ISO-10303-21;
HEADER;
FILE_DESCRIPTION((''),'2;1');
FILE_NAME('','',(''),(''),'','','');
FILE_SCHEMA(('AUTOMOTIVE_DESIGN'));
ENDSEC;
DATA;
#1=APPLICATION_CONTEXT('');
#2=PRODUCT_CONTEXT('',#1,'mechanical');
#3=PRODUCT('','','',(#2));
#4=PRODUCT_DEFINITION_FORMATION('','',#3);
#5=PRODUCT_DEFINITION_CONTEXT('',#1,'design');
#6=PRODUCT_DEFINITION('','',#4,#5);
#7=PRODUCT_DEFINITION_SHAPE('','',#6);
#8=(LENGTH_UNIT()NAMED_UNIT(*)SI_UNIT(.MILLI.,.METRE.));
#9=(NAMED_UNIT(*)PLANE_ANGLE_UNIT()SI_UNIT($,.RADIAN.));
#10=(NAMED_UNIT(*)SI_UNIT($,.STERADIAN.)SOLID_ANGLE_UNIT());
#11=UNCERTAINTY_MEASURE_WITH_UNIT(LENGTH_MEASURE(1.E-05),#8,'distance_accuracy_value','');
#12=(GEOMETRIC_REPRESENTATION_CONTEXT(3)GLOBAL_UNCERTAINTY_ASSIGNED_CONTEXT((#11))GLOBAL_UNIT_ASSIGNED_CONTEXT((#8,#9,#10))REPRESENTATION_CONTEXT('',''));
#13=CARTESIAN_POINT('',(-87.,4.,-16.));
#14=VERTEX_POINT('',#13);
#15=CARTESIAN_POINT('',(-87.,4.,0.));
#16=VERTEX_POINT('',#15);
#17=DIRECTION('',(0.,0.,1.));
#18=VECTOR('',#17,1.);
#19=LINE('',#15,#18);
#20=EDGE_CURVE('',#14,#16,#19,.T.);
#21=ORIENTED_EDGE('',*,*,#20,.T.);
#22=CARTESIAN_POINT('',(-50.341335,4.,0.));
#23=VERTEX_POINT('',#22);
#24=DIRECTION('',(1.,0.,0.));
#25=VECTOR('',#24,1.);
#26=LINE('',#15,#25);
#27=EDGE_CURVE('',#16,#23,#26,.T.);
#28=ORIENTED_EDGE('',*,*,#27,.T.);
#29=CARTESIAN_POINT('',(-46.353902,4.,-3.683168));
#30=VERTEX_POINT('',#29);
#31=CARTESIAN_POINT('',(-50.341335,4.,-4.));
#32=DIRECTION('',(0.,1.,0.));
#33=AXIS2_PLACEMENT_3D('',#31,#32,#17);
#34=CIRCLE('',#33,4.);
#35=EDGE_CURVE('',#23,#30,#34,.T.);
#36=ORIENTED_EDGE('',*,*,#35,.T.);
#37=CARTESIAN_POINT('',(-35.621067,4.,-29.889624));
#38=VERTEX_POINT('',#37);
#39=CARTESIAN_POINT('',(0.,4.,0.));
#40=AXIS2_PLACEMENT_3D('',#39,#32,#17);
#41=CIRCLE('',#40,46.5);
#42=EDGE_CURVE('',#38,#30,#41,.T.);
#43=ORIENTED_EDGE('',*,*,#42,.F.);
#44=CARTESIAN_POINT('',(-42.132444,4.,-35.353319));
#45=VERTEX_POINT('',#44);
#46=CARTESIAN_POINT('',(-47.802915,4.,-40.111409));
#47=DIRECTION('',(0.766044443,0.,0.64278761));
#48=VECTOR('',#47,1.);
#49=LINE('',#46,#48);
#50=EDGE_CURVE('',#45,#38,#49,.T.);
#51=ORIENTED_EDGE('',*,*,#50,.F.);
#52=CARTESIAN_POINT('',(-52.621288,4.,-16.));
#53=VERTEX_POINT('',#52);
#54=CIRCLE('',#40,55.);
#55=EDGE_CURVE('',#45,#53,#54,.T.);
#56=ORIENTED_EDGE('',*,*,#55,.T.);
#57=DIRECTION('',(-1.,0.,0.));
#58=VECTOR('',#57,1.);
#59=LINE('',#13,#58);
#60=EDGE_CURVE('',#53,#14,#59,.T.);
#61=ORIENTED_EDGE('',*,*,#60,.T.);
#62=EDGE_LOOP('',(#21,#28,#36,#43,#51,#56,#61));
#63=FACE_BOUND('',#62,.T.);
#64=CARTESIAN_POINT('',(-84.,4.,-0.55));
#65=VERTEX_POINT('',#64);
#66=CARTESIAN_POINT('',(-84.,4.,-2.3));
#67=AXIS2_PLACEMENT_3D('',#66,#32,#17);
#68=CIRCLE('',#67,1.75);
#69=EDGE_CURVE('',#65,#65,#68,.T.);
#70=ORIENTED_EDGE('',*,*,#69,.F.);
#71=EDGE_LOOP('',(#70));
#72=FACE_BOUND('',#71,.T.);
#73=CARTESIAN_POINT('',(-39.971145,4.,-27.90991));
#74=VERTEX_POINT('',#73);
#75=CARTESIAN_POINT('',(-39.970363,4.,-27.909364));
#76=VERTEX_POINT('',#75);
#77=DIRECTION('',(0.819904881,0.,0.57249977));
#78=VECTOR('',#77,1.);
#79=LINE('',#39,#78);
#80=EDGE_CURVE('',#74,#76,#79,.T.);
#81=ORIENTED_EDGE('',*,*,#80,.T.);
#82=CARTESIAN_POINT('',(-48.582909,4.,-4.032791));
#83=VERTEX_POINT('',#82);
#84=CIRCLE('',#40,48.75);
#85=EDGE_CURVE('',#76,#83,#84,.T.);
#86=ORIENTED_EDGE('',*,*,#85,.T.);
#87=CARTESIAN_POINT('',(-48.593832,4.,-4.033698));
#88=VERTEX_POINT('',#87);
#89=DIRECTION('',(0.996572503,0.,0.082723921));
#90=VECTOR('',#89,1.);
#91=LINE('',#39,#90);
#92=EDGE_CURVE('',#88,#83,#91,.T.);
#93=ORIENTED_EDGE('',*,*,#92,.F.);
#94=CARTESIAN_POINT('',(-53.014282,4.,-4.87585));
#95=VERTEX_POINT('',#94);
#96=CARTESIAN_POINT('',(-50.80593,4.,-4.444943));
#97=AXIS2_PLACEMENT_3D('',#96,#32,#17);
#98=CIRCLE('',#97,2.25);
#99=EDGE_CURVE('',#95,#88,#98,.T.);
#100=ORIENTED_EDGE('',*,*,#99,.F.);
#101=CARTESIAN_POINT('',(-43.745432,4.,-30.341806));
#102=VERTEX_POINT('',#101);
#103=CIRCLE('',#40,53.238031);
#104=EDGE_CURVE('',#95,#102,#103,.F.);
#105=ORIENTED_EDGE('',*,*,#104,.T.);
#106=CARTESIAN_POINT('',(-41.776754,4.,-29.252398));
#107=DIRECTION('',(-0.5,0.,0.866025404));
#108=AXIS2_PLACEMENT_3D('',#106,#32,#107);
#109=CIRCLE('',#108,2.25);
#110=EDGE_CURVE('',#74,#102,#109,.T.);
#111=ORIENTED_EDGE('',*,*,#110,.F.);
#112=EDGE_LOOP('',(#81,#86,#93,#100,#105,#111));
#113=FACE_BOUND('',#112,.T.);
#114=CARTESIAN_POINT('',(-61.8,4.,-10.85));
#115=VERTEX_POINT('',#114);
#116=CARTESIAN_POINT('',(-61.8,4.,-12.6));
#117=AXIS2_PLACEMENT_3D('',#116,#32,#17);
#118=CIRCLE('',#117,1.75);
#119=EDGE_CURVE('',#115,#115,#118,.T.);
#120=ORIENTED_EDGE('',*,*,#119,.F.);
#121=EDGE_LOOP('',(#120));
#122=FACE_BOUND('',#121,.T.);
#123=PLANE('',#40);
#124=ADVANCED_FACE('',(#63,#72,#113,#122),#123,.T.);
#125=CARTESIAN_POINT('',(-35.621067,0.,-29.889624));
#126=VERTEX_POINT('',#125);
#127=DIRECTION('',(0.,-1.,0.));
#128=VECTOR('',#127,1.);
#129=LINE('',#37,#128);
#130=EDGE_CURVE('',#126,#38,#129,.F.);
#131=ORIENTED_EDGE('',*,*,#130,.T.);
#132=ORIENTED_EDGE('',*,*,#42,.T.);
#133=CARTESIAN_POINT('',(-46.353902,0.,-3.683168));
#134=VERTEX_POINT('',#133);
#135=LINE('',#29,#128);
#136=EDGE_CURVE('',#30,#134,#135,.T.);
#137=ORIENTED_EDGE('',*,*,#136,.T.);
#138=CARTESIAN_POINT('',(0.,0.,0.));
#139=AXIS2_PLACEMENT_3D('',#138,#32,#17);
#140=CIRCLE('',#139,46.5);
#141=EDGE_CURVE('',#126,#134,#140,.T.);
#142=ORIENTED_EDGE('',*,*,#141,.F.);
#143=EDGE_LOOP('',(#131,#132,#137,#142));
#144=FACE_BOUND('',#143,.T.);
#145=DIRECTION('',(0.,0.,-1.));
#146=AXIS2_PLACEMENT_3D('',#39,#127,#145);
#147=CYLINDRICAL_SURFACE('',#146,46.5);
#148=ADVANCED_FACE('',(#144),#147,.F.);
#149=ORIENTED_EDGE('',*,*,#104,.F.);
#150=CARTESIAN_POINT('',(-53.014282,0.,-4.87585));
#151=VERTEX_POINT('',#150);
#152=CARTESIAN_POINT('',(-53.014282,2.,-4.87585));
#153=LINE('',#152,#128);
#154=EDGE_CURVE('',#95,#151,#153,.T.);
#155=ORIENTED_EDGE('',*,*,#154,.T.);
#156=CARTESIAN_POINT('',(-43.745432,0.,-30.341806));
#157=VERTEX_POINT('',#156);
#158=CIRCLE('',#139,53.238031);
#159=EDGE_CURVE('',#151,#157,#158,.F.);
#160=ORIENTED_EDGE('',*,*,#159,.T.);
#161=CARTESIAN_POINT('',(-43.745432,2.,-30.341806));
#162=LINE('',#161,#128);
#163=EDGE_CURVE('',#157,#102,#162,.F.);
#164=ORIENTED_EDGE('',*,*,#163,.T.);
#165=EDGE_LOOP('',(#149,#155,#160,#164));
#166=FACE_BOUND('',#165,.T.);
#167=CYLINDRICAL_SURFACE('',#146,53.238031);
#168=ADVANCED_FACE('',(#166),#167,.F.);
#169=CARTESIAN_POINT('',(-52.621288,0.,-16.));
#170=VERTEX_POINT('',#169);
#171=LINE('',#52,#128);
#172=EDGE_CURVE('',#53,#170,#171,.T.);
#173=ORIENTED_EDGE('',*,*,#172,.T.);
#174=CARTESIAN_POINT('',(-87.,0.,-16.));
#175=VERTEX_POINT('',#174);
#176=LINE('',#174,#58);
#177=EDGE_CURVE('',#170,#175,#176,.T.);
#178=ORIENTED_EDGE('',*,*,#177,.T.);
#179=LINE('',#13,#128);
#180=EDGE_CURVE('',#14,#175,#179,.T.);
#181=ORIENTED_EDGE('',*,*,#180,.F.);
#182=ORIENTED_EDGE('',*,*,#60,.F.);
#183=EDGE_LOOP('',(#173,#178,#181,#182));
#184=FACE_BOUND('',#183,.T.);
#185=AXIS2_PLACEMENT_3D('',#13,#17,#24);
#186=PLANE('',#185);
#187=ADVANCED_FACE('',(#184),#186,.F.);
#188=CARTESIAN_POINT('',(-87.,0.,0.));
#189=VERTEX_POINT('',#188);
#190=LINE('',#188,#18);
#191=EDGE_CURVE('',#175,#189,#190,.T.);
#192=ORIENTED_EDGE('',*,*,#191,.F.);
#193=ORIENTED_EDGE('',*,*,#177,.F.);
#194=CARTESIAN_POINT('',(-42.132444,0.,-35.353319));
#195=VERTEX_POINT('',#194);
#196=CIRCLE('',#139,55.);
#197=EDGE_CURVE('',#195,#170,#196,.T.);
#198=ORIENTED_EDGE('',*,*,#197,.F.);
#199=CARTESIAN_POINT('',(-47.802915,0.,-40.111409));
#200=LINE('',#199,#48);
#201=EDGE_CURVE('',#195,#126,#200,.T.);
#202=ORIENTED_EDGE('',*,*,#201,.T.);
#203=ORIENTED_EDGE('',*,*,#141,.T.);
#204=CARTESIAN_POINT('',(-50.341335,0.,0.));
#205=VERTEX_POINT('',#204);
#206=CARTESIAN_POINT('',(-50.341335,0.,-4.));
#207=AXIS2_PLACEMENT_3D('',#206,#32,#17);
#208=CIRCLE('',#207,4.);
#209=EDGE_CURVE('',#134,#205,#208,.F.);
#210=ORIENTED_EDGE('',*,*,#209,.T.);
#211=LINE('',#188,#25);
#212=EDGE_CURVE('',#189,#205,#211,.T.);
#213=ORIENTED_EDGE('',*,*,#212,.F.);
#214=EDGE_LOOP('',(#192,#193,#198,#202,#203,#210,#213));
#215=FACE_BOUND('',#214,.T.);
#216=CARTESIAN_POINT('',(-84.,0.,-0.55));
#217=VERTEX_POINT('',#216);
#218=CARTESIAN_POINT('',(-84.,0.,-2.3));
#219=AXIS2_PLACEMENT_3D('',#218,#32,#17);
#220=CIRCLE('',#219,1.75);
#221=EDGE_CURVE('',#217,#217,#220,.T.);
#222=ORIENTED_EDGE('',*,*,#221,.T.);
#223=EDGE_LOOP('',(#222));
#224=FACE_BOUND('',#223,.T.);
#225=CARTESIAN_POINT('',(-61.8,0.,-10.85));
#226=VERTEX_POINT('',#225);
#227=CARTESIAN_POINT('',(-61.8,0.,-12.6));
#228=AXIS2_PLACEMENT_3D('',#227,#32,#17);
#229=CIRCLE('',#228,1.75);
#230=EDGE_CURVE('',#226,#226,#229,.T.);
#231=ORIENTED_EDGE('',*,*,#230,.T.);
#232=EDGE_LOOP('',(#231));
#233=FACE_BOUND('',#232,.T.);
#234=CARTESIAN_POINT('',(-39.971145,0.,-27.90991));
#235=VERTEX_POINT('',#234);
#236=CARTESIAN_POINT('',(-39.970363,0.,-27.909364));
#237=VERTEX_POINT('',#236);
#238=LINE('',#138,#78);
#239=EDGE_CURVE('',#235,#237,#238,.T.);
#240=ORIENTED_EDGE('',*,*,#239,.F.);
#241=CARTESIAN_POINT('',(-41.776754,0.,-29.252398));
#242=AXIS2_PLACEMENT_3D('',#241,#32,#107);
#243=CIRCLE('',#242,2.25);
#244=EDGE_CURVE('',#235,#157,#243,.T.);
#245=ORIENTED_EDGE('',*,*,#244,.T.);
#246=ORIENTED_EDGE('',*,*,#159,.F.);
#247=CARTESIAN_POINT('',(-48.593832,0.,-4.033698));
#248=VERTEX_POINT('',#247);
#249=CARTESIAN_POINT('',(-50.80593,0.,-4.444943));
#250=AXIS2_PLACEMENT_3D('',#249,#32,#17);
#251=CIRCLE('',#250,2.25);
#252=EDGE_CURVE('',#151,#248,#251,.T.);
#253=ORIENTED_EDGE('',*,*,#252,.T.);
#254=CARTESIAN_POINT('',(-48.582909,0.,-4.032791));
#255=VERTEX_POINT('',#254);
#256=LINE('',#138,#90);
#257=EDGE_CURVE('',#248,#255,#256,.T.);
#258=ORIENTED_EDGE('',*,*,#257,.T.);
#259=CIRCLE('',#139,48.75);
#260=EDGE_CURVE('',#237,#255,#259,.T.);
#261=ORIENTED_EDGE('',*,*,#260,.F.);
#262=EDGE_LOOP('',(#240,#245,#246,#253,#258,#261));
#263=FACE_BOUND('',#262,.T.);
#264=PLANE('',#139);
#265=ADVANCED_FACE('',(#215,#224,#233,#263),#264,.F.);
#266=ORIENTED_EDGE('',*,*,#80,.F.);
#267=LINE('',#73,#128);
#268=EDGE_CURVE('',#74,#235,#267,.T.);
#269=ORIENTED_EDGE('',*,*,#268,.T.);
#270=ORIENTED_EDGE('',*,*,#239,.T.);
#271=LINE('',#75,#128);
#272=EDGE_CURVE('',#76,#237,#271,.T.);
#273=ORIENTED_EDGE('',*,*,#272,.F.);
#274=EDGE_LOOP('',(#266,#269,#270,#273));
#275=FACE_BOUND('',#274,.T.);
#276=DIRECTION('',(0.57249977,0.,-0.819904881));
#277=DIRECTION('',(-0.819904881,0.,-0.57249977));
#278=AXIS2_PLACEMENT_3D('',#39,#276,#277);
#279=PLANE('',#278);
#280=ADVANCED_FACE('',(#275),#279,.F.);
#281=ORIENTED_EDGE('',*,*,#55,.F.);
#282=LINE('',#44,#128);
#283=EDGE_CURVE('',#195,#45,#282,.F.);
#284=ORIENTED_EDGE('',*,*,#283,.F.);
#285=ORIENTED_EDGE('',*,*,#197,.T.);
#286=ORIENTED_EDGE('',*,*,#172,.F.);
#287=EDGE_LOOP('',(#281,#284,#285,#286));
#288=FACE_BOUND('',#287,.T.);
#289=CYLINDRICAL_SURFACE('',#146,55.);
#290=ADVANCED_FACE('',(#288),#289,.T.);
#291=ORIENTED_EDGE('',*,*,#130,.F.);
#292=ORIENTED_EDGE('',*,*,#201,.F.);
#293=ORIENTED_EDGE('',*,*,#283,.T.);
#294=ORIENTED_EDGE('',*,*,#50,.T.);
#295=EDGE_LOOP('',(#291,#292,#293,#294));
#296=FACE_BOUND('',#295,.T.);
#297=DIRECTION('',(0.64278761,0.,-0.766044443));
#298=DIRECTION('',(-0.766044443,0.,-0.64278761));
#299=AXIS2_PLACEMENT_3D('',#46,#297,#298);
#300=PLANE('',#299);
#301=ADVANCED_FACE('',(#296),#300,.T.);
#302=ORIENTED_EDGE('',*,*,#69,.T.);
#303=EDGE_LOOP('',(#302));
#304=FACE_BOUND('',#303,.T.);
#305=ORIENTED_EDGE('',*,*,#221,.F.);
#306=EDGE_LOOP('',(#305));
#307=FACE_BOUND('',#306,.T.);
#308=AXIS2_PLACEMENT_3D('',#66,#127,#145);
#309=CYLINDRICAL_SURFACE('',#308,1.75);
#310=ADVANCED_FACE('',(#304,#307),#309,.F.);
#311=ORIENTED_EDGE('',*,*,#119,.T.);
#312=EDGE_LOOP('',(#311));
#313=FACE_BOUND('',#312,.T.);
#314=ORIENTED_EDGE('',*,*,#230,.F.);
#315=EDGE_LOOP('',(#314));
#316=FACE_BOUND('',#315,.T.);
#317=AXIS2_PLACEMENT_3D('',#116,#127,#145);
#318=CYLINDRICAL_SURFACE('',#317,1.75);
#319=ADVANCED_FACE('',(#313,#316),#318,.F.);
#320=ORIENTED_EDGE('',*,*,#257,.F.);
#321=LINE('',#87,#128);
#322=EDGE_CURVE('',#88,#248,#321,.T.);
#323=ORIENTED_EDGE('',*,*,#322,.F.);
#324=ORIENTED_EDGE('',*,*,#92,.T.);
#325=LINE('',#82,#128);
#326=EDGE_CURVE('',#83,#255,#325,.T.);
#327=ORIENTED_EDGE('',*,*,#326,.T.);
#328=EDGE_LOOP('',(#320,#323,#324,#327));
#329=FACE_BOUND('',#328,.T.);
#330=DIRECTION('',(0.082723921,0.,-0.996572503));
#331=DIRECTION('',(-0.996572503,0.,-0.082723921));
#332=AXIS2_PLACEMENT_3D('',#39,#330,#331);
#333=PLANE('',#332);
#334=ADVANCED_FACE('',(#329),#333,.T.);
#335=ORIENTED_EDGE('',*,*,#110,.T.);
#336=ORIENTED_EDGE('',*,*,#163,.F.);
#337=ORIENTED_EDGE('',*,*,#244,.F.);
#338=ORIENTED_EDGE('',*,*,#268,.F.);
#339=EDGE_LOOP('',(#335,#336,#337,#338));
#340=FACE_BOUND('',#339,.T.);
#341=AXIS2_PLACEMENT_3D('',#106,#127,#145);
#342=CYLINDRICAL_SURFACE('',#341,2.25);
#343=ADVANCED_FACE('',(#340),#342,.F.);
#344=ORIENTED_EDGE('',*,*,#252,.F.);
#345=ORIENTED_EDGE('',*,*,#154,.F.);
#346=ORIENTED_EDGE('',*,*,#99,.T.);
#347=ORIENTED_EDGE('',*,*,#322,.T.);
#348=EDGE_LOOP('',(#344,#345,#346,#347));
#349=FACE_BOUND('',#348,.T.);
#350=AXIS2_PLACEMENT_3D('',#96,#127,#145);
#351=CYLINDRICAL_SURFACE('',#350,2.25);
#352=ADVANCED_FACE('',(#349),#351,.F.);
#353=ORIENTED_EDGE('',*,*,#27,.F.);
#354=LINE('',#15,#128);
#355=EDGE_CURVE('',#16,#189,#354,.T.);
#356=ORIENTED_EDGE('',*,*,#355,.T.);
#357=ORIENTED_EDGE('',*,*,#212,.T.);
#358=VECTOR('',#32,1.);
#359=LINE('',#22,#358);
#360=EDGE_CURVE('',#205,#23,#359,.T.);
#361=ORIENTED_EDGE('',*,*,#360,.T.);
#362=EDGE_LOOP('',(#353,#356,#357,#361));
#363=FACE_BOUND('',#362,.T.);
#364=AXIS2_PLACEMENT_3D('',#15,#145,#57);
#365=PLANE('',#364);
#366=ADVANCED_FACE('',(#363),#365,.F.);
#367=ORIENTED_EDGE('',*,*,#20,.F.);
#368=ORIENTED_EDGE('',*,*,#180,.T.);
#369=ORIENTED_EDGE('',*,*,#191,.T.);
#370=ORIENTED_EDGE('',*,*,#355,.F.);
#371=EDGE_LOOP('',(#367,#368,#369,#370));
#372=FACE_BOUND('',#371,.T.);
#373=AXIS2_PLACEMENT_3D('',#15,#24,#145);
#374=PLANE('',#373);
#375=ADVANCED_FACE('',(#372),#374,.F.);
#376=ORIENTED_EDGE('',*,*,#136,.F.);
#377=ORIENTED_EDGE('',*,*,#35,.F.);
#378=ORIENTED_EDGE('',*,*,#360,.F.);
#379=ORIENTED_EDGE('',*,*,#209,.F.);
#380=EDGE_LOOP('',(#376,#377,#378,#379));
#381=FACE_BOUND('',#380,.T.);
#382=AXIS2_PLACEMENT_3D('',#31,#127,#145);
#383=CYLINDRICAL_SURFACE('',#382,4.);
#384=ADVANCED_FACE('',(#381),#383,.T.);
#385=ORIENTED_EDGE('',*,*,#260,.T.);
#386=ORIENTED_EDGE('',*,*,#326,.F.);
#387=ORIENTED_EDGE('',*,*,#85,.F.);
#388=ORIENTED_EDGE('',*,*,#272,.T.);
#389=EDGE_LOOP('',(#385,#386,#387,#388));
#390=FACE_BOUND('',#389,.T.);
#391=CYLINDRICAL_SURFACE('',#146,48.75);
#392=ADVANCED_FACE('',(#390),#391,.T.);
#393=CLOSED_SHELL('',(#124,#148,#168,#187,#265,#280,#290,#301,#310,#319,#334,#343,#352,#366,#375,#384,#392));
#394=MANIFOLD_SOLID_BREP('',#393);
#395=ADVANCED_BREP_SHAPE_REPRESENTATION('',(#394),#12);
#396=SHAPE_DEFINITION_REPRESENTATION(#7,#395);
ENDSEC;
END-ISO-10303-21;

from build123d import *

# Parameters (mm, degrees)
SKETCH1_R           = 55
BOSS_EXTRUDE1_DEPTH = 4
SKETCH6_W           = 87
SKETCH6_H           = 16
BOSS_EXTRUDE2_DEPTH = 4
SKETCH2_R           = 46.5
CUT_EXTRUDE1_DEPTH  = 5
SKETCH3_R           = 2.25
CUT_EXTRUDE2_DEPTH  = 5
CIRPATTERN1_COUNT   = 12
CUT_EXTRUDE3_DEPTH  = 5
SKETCH7_R           = 1.75
CUT_EXTRUDE4_DEPTH  = 5
FILLET1_R           = 4
CUT_EXTRUDE5_DEPTH  = 5


with BuildPart() as part:
    # Sketch1 → Boss-Extrude1 (new body)
    with BuildSketch(Plane(origin=(0, 0, 0), x_dir=(1, 0, 0), z_dir=(0, 1, 0))):
        Circle(SKETCH1_R)
    extrude(amount=BOSS_EXTRUDE1_DEPTH)

    # Sketch6 → Boss-Extrude2 (add)
    with BuildSketch(Plane(origin=(0, 0, 0), x_dir=(1, 0, 0), z_dir=(0, 1, 0))):
        with Locations((-43.5, 8)):
            Rectangle(SKETCH6_W, SKETCH6_H)
    extrude(amount=BOSS_EXTRUDE2_DEPTH)

    # Sketch2 → Cut-Extrude1 (cut, through all)
    with BuildSketch(Plane(origin=(0, 0, 0), x_dir=(1, 0, 0), z_dir=(0, 1, 0))):
        Circle(SKETCH2_R)
    extrude(amount=CUT_EXTRUDE1_DEPTH, mode=Mode.SUBTRACT)

    # Sketch3 → Cut-Extrude2 (cut, through all)
    with BuildSketch(Plane(origin=(0, 0, 0), x_dir=(1, 0, 0), z_dir=(0, 1, 0))):
        with Locations((-50.805929603, 4.44494288)):
            Circle(SKETCH3_R)
    cut_extrude2 = extrude(amount=CUT_EXTRUDE2_DEPTH, mode=Mode.SUBTRACT)

    # CirPattern1: Cut-Extrude2 ×12 about axis
    cirpattern1_axis = Axis((0, 0, 0), (0, 1, 0))
    for i in range(1, CIRPATTERN1_COUNT):
        add(cut_extrude2.rotate(cirpattern1_axis, i * 360 / CIRPATTERN1_COUNT), mode=Mode.SUBTRACT)

    # Sketch4 → Cut-Extrude3 (cut, through all)
    with BuildSketch(Plane(origin=(0, 0, 0), x_dir=(1, 0, 0), z_dir=(0, 1, 0))):
        with BuildLine():
            Line((0, 0), (-62.402274146, 0))
            ThreePointArc((-62.402274146, 0), (58.638956535, -21.342834747), (-47.802915347, 40.111408637))
            Line((-47.802915347, 40.111408637), (0, 0))
        make_face()
    extrude(amount=CUT_EXTRUDE3_DEPTH, mode=Mode.SUBTRACT)

    # Sketch7 → Cut-Extrude4 (cut, through all)
    with BuildSketch(Plane(origin=(0, 0, 0), x_dir=(1, 0, 0), z_dir=(0, 1, 0))):
        with Locations((-61.8, 12.6)):
            Circle(SKETCH7_R)
        with Locations((-84, 2.3)):
            Circle(SKETCH7_R)
    extrude(amount=CUT_EXTRUDE4_DEPTH, mode=Mode.SUBTRACT)

    # Fillet1
    fillet1_edges = [part.edges().sort_by_distance(p)[0] for p in [
        (-46.5, 2, 0),
    ]]
    fillet(fillet1_edges, radius=FILLET1_R)

    # Sketch8 → Cut-Extrude5 (cut, through all)
    with BuildSketch(Plane(origin=(0, 0, 0), x_dir=(1, 0, 0), z_dir=(0, 1, 0))):
        with BuildLine():
            Line((-39.970362944, 27.909363771), (-43.650121746, 30.47876068))
            ThreePointArc((-43.650121746, 30.47876068), (-50.07963309, 18.064283285), (-53.055558124, 4.404058716))
            Line((-53.055558124, 4.404058716), (-48.582909499, 4.032791164))
            ThreePointArc((-48.582909499, 4.032791164), (-45.857858596, 16.541442048), (-39.970362944, 27.909363771))
        make_face()
    extrude(amount=CUT_EXTRUDE5_DEPTH, mode=Mode.SUBTRACT)


solid = part.part
